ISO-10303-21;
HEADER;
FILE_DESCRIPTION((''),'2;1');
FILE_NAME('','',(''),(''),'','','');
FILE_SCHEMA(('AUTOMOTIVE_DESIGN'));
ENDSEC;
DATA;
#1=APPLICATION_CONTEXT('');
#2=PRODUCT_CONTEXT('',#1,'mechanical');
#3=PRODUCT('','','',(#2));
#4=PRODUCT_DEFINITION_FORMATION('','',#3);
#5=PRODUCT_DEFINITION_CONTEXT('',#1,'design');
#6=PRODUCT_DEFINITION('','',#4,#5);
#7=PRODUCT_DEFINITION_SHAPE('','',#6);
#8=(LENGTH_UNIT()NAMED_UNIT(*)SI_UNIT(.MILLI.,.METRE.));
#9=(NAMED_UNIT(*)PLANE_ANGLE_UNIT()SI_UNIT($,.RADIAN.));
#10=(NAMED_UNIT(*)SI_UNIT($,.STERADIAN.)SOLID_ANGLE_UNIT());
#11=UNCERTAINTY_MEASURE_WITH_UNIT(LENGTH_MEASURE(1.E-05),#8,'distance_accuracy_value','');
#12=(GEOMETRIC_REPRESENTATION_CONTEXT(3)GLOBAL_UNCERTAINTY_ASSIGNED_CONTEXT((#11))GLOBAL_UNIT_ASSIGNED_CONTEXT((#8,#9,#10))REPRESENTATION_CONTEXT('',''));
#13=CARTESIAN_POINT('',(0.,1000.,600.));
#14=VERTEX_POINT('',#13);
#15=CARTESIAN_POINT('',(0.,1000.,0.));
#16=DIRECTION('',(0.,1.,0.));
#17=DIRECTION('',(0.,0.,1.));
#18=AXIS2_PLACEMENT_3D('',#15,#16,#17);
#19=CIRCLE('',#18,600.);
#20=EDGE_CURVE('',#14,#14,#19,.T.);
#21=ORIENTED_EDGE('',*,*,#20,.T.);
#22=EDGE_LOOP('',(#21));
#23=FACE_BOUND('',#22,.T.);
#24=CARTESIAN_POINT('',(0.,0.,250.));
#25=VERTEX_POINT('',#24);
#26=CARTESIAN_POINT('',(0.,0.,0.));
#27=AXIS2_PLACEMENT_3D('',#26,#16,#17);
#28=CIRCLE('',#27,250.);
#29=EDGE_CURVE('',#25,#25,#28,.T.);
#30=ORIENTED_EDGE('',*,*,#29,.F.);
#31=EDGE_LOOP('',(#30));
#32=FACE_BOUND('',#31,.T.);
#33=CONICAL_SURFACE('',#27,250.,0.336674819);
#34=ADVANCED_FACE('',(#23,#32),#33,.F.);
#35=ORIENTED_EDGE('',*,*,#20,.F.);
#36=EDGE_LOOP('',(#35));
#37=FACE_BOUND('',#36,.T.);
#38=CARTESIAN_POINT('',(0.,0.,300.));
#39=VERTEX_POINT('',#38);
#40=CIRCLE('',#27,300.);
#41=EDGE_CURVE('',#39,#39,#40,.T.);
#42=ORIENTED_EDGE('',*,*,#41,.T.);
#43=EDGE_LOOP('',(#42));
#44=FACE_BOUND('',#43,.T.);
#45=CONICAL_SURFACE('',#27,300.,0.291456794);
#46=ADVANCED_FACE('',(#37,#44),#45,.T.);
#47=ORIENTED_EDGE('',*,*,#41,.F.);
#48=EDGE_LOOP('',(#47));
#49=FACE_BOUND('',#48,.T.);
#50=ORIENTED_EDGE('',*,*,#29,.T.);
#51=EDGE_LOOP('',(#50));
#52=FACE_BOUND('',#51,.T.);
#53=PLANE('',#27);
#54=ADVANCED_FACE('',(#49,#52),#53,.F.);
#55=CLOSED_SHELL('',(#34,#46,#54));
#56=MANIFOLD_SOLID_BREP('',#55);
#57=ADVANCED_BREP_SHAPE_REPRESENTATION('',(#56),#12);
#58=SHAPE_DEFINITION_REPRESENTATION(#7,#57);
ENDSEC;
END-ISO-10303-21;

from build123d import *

# Parameters (mm, degrees)
SKETCH_1_R = 300
SKETCH_2_R = 600
SKETCH_3_R = 250


with BuildPart() as part:
    # 草图1 → Loft 1 section 0
    with BuildSketch(Plane(origin=(0, 0, 0), x_dir=(1, 0, 0), z_dir=(0, 1, 0))):
        Circle(SKETCH_1_R)
    # 草图2 → Loft 1 section 1
    with BuildSketch(Plane(origin=(0, 1000, 0), x_dir=(1, 0, 0), z_dir=(0, 1, 0))):
        Circle(SKETCH_2_R)
    loft()

    # 草图3 → section 0 of loft_1_2
    with BuildSketch(Plane(origin=(0, 0, 0), x_dir=(1, 0, 0), z_dir=(0, 1, 0)), mode=Mode.PRIVATE) as loft_1_2_s0:
        Circle(SKETCH_3_R)
    # loft up to a face of the part (loft_1_2)
    loft([loft_1_2_s0.sketch, Face(Wire([part.edges().sort_by_distance((-410.728263557, 1000, -437.381176453))[0]]))], mode=Mode.SUBTRACT)


solid = part.part
